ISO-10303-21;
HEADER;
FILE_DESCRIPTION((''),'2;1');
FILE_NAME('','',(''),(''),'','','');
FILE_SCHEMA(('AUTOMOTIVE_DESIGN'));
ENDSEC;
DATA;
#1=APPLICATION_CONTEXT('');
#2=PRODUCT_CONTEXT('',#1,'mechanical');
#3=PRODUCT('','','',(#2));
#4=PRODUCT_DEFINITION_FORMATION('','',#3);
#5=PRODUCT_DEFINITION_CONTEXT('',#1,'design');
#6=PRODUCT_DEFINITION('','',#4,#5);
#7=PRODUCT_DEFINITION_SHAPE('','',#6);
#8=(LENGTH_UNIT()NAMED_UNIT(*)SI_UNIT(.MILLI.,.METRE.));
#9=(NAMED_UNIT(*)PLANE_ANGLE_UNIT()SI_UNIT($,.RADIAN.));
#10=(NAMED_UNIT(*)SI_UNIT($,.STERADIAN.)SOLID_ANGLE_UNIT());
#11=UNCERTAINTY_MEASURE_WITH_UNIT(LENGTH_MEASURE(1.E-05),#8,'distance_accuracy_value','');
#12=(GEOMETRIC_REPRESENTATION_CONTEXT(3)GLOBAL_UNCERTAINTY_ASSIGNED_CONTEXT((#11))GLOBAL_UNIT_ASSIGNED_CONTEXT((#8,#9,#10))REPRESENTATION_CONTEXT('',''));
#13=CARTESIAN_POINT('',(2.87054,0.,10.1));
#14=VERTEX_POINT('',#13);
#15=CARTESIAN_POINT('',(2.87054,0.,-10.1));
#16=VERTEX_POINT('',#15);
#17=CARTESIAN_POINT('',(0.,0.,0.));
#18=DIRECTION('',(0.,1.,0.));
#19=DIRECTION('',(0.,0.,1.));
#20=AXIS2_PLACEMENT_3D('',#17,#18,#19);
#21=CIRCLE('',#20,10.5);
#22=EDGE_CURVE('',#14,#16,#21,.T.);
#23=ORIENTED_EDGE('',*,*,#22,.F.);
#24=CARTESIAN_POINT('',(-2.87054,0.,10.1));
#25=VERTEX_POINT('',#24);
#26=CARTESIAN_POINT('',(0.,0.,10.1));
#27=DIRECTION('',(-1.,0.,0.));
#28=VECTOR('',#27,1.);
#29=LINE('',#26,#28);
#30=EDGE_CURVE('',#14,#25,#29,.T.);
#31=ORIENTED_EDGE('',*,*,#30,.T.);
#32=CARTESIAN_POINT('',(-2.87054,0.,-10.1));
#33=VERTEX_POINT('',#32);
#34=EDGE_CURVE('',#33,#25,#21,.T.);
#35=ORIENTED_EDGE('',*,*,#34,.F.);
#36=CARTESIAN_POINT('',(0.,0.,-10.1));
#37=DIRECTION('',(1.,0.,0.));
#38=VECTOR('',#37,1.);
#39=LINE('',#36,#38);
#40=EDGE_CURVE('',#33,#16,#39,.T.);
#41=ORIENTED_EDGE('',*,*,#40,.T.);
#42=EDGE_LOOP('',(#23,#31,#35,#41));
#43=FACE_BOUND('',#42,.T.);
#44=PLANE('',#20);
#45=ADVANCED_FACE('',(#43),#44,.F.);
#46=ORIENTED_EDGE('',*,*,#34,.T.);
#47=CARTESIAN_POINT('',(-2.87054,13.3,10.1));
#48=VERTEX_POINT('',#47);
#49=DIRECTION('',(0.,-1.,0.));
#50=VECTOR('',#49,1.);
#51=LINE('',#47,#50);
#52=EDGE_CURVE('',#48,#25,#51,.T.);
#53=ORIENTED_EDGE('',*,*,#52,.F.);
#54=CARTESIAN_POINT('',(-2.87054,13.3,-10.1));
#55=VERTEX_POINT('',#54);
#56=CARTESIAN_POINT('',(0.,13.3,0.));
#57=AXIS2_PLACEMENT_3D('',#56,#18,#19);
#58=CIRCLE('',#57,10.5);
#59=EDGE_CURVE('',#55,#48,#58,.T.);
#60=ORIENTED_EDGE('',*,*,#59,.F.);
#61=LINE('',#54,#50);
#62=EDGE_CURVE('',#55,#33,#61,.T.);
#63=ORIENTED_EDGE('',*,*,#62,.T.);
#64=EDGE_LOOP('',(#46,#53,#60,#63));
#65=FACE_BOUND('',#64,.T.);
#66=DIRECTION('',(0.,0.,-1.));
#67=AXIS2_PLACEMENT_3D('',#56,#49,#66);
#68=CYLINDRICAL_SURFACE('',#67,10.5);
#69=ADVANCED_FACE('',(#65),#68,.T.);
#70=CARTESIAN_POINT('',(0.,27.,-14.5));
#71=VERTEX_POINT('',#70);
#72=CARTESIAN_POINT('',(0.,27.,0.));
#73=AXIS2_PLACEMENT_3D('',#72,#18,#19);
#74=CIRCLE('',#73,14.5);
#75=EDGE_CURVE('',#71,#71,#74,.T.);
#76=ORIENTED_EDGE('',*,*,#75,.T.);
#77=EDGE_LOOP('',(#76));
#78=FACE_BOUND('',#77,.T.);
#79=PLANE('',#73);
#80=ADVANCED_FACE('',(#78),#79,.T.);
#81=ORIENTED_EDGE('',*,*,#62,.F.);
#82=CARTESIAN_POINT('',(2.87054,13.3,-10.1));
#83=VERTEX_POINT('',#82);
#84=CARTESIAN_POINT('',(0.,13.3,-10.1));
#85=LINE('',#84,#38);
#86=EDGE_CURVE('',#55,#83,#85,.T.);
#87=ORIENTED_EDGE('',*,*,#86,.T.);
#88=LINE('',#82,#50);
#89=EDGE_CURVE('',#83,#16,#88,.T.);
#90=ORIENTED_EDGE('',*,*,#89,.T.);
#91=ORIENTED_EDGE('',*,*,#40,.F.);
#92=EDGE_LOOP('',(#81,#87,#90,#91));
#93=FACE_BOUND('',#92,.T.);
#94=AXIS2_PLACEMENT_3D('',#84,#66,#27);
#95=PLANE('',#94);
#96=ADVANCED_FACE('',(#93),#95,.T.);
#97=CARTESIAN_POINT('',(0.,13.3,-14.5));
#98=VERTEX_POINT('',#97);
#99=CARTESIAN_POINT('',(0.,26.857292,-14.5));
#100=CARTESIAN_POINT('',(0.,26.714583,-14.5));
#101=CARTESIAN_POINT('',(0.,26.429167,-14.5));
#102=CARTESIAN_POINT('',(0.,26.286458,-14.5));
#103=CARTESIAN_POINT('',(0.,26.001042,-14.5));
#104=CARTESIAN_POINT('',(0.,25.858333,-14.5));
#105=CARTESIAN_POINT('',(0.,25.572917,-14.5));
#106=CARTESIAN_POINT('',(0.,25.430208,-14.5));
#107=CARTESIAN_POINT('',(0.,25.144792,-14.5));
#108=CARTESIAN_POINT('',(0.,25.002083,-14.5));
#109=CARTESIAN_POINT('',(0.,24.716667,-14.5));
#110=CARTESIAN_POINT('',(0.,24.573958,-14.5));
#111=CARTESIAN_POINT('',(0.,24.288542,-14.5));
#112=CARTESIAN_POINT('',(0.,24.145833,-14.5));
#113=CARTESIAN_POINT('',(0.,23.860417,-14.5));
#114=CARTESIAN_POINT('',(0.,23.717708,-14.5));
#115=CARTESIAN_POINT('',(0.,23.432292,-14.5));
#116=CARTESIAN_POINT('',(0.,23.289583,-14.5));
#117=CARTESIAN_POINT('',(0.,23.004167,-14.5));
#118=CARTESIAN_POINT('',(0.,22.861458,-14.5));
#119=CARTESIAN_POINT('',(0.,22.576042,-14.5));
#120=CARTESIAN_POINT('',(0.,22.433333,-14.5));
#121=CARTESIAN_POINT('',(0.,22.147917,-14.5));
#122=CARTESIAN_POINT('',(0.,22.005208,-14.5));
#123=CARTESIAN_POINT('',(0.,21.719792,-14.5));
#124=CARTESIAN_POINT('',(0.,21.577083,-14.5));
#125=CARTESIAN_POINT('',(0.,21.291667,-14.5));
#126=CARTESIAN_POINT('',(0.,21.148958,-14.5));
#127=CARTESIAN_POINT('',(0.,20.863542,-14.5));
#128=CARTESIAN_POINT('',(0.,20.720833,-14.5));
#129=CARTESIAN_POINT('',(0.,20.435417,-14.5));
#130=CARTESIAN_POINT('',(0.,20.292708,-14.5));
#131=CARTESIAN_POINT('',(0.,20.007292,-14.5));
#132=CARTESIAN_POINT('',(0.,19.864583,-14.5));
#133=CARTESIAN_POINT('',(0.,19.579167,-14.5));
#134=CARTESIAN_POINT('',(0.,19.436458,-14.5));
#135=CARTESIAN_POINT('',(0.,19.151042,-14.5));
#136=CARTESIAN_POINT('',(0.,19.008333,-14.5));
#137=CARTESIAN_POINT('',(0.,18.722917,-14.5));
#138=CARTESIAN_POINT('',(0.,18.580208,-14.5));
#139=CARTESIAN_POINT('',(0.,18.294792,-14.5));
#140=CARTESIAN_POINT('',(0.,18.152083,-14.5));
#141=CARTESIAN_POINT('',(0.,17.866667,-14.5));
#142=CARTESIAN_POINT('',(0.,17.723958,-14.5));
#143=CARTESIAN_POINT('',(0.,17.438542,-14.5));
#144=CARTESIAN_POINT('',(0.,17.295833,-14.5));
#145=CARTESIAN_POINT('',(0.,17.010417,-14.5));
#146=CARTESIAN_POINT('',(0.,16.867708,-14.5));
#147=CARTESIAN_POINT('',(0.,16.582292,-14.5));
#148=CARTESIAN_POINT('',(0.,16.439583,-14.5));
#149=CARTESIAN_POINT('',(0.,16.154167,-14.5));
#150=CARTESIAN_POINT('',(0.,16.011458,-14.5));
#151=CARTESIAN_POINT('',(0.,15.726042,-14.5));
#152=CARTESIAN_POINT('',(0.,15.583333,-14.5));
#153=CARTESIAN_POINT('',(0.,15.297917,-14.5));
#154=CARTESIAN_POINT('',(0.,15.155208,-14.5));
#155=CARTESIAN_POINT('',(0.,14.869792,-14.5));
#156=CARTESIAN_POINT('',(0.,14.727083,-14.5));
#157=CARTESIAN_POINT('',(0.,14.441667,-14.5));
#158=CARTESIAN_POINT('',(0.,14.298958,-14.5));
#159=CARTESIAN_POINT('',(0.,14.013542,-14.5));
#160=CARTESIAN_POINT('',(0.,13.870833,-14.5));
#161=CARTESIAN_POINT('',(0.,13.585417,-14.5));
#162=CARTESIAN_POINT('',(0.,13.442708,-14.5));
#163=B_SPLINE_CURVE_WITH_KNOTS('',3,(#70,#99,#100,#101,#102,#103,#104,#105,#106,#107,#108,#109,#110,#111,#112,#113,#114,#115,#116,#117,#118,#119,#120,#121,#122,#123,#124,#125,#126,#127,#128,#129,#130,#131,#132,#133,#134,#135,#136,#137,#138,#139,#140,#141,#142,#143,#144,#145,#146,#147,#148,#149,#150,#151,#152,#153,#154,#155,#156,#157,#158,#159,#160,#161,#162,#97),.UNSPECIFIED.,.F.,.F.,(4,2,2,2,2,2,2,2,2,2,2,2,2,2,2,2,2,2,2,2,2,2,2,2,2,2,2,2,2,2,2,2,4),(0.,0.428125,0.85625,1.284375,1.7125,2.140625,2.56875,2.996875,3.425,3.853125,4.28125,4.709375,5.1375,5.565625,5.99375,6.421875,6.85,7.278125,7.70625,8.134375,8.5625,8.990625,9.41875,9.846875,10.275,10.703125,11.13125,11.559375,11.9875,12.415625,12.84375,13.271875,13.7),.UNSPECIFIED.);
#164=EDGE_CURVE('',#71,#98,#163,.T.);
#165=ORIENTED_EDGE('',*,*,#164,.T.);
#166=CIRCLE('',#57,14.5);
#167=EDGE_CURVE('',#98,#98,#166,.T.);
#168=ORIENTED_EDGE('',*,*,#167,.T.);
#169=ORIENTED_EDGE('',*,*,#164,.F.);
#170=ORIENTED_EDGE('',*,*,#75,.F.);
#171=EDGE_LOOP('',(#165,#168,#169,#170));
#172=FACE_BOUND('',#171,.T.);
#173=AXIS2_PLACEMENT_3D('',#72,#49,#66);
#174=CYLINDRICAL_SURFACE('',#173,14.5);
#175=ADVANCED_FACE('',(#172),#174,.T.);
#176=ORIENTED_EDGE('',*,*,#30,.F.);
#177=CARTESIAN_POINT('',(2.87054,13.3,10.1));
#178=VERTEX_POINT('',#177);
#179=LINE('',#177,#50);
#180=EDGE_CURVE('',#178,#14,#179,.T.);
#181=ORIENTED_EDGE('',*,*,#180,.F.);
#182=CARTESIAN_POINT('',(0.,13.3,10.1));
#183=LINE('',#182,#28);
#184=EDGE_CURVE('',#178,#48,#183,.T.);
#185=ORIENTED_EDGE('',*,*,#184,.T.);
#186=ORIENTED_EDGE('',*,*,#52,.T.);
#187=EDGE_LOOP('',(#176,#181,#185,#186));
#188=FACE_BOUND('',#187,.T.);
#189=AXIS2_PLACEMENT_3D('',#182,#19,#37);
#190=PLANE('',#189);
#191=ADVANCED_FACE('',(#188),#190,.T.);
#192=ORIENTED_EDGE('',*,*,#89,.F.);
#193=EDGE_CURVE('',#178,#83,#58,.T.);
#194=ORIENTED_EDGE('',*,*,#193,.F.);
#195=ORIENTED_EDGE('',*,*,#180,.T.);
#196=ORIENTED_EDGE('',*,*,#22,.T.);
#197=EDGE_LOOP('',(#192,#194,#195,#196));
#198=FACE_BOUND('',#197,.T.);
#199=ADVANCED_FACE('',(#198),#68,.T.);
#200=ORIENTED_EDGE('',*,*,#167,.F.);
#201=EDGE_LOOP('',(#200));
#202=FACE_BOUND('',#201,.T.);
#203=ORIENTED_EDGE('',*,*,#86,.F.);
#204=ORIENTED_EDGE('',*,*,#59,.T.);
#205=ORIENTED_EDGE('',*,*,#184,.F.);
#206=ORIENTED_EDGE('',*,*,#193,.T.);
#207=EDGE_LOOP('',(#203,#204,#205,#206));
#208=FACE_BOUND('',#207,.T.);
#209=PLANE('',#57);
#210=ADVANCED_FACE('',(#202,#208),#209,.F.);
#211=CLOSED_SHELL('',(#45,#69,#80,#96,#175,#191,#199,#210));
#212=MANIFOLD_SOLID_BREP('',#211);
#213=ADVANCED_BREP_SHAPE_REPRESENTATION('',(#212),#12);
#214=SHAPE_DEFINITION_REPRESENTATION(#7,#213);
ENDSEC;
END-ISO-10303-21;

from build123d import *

# Parameters (mm, degrees)
BOSS_EXTRUDE1_DEPTH = 13.3
SKETCH2_R           = 14.5
BOSS_EXTRUDE2_DEPTH = 13.7


with BuildPart() as part:
    # Sketch1 → Boss-Extrude1 (new body)
    with BuildSketch(Plane(origin=(0, 0, 0), x_dir=(1, 0, 0), z_dir=(0, 1, 0))):
        with BuildLine():
            Line((2.870540019, 10.1), (-2.870540019, 10.1))
            ThreePointArc((-2.870540019, 10.1), (-10.5, 0), (-2.870540019, -10.1))
            Line((-2.870540019, -10.1), (2.870540019, -10.1))
            Line((2.870540019, -10.1), (2.870540019, 10.1))
        make_face()
        with BuildLine():
            ThreePointArc((10.5, 0), (8.378265638, 6.328875485), (2.870540019, 10.1))
            Line((2.870540019, 10.1), (2.870540019, -10.1))
            ThreePointArc((2.870540019, -10.1), (8.378265638, -6.328875485), (10.5, 0))
        make_face()
    extrude(amount=BOSS_EXTRUDE1_DEPTH)

    # Sketch2 → Boss-Extrude2 (add)
    with BuildSketch(Plane(origin=(0, 13.3, 0), x_dir=(1, 0, 0), z_dir=(0, 1, 0))):
        with Locations(Location((0, 0, 0), (0, 0, 90))):
            Circle(SKETCH2_R)
    extrude(amount=BOSS_EXTRUDE2_DEPTH)


solid = part.part
